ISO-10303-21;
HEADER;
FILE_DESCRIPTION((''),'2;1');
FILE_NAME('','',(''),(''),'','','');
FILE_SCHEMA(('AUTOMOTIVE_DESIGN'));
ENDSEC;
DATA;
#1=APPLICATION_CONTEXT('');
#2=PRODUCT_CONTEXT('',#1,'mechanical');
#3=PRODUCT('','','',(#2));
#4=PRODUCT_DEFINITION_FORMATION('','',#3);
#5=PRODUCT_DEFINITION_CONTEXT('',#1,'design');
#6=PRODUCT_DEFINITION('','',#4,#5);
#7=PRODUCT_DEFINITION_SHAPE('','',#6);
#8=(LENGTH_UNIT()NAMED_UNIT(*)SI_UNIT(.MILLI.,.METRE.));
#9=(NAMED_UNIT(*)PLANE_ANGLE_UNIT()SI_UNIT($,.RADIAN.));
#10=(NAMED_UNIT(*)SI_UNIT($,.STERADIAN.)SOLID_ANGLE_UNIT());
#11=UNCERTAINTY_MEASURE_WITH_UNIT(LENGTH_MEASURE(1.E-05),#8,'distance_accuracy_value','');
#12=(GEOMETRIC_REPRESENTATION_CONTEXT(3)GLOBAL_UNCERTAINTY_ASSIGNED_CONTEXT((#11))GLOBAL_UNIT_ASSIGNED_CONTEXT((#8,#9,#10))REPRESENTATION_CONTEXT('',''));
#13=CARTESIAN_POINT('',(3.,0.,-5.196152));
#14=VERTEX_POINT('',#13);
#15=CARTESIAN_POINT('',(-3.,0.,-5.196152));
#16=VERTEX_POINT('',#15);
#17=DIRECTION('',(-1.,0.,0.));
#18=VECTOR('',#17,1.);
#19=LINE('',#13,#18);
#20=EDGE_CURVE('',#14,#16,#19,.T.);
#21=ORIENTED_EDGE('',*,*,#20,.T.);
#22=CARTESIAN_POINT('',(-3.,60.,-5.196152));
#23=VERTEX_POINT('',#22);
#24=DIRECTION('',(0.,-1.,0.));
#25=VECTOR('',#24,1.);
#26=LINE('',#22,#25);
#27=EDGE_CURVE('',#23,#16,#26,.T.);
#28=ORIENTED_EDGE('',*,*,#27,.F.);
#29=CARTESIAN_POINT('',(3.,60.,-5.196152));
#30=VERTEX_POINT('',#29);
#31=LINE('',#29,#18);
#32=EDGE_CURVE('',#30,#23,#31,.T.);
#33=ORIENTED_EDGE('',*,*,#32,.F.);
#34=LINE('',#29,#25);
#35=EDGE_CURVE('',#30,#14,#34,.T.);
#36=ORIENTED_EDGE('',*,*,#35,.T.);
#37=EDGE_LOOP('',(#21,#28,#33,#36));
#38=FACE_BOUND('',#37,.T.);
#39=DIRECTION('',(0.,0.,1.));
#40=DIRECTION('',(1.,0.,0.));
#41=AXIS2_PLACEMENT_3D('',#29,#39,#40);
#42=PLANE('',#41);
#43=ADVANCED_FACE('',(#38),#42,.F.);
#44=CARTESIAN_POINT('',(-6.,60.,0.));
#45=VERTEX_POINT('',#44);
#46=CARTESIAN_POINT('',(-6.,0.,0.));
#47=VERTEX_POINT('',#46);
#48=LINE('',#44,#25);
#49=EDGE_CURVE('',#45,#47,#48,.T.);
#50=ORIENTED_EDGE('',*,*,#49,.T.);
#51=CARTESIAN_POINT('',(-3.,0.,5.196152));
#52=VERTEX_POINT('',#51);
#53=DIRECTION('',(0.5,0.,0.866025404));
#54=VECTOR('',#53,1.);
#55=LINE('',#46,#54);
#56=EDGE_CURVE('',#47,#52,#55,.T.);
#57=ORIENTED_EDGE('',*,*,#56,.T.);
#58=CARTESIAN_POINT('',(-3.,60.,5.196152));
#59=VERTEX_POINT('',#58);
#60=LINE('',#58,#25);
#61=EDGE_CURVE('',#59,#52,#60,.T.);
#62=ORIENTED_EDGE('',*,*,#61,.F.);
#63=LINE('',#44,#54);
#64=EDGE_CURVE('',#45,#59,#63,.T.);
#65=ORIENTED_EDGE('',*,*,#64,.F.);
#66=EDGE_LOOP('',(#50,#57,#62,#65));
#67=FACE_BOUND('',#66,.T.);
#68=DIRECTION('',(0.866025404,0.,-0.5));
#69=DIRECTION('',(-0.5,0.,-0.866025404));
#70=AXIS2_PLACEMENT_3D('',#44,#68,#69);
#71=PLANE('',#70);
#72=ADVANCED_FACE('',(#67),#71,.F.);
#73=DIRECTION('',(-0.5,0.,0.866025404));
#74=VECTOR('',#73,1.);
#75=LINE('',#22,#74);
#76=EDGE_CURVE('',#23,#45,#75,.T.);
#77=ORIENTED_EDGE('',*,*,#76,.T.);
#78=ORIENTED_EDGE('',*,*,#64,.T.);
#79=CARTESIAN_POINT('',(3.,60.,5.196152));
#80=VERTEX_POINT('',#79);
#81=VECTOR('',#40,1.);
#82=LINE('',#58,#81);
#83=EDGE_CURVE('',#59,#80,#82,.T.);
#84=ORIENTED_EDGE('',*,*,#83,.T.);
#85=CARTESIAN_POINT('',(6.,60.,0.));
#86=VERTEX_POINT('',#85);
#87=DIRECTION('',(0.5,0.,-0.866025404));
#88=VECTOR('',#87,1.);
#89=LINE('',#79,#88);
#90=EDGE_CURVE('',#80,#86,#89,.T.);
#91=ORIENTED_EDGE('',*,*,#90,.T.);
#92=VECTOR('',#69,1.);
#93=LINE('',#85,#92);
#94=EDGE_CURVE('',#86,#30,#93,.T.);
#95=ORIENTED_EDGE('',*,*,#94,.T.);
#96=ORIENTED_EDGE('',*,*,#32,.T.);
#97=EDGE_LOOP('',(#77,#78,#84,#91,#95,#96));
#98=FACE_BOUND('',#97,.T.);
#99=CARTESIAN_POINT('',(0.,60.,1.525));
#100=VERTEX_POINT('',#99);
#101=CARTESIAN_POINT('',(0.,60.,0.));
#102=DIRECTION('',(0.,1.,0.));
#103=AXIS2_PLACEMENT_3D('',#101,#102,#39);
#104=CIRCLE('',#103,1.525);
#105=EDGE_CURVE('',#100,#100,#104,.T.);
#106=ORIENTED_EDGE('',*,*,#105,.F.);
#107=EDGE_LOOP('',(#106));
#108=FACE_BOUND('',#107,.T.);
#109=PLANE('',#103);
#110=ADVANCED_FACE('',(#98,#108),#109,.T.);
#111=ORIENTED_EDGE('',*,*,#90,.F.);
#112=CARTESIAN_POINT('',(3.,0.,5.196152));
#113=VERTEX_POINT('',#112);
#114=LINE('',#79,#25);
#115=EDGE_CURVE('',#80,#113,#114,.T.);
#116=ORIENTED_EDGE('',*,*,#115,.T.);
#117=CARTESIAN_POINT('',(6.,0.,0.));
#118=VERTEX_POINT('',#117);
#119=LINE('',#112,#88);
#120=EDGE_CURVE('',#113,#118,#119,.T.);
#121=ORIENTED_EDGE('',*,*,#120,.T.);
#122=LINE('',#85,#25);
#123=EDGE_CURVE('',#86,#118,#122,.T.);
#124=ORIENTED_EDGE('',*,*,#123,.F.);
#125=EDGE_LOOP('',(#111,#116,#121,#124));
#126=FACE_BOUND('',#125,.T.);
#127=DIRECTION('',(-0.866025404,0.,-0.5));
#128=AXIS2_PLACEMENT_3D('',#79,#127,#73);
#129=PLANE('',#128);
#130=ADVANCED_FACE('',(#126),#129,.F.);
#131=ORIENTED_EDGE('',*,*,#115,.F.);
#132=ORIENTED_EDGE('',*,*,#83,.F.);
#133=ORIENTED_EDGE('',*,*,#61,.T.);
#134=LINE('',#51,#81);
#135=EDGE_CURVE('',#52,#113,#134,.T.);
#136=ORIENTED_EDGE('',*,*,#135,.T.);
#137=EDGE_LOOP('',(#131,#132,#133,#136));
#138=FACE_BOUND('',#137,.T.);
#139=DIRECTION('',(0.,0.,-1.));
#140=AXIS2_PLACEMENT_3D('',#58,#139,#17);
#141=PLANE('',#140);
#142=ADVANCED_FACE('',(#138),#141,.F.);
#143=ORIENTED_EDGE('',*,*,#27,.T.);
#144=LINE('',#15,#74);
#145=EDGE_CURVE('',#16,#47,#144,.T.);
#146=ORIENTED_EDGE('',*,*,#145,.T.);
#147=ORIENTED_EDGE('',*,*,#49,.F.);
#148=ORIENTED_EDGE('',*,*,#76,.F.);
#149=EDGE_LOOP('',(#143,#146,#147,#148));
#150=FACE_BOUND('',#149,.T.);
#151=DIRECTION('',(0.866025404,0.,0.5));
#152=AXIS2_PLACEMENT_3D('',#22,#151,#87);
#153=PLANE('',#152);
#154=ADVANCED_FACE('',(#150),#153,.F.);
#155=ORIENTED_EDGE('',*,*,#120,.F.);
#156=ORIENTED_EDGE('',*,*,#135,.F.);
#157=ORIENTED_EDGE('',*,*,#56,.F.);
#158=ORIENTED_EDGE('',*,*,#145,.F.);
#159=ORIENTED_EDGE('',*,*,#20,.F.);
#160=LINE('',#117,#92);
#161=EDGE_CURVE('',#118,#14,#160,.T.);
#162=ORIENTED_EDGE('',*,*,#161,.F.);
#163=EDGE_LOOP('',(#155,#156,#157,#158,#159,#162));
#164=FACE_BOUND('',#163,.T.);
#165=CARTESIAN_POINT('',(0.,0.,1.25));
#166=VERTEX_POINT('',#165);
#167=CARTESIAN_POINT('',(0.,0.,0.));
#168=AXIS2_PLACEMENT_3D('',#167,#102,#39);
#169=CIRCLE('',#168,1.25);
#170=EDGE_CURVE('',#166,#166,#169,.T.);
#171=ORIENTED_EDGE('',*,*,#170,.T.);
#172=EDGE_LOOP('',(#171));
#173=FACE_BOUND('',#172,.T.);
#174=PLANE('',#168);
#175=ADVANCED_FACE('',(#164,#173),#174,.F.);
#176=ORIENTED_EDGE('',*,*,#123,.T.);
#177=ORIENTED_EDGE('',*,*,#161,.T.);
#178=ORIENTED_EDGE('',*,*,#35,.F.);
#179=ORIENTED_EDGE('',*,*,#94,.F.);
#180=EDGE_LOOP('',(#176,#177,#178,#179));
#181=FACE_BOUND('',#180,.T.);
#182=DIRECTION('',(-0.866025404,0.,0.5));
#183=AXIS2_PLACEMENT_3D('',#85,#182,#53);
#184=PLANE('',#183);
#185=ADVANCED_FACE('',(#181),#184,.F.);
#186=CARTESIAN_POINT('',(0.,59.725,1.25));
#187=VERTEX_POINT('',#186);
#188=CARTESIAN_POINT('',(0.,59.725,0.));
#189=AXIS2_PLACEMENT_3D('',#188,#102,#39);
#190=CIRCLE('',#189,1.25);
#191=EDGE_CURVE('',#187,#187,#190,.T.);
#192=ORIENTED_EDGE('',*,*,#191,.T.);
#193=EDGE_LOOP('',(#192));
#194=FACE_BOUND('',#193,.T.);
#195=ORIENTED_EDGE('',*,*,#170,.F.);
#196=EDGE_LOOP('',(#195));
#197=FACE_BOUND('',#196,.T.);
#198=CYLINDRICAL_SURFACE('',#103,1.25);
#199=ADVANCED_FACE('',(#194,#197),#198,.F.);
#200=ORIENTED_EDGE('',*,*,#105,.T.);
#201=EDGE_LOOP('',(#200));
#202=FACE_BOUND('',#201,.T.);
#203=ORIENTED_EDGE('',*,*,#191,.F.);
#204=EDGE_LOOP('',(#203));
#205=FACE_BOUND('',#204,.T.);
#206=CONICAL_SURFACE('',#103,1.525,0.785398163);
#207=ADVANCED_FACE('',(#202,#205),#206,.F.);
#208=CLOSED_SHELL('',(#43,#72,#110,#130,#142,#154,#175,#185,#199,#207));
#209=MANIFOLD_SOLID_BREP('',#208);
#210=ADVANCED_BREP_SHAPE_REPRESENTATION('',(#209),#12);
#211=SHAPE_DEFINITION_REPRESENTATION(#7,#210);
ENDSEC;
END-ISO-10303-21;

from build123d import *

# Parameters (mm, degrees)
EXTRUDE_1_DEPTH              = 60
HOLE_WIZARD_M3_1_D           = 2.5
HOLE_WIZARD_M3_1_CSINK_D     = 3.05
HOLE_WIZARD_M3_1_CSINK_ANGLE = 90


with BuildPart() as part:
    # 草图1 → 凸台-拉伸1 (new body)
    with BuildSketch(Plane(origin=(0, 0, 0), x_dir=(1, 0, 0), z_dir=(0, 1, 0))):
        Polygon((6, 0), (3, 5.196152423), (-3, 5.196152423), (-6, 0), (-3, -5.196152423), (3, -5.196152423), align=None)
    extrude(amount=EXTRUDE_1_DEPTH)

    # M3 螺纹孔1 (through all)
    with Locations(Plane(origin=(0, 60, 0), x_dir=(1, 0, 0), z_dir=(0, 1, 0))):
        with Locations((0, 0)):
            CounterSinkHole(HOLE_WIZARD_M3_1_D / 2, HOLE_WIZARD_M3_1_CSINK_D / 2, counter_sink_angle=HOLE_WIZARD_M3_1_CSINK_ANGLE)


solid = part.part
